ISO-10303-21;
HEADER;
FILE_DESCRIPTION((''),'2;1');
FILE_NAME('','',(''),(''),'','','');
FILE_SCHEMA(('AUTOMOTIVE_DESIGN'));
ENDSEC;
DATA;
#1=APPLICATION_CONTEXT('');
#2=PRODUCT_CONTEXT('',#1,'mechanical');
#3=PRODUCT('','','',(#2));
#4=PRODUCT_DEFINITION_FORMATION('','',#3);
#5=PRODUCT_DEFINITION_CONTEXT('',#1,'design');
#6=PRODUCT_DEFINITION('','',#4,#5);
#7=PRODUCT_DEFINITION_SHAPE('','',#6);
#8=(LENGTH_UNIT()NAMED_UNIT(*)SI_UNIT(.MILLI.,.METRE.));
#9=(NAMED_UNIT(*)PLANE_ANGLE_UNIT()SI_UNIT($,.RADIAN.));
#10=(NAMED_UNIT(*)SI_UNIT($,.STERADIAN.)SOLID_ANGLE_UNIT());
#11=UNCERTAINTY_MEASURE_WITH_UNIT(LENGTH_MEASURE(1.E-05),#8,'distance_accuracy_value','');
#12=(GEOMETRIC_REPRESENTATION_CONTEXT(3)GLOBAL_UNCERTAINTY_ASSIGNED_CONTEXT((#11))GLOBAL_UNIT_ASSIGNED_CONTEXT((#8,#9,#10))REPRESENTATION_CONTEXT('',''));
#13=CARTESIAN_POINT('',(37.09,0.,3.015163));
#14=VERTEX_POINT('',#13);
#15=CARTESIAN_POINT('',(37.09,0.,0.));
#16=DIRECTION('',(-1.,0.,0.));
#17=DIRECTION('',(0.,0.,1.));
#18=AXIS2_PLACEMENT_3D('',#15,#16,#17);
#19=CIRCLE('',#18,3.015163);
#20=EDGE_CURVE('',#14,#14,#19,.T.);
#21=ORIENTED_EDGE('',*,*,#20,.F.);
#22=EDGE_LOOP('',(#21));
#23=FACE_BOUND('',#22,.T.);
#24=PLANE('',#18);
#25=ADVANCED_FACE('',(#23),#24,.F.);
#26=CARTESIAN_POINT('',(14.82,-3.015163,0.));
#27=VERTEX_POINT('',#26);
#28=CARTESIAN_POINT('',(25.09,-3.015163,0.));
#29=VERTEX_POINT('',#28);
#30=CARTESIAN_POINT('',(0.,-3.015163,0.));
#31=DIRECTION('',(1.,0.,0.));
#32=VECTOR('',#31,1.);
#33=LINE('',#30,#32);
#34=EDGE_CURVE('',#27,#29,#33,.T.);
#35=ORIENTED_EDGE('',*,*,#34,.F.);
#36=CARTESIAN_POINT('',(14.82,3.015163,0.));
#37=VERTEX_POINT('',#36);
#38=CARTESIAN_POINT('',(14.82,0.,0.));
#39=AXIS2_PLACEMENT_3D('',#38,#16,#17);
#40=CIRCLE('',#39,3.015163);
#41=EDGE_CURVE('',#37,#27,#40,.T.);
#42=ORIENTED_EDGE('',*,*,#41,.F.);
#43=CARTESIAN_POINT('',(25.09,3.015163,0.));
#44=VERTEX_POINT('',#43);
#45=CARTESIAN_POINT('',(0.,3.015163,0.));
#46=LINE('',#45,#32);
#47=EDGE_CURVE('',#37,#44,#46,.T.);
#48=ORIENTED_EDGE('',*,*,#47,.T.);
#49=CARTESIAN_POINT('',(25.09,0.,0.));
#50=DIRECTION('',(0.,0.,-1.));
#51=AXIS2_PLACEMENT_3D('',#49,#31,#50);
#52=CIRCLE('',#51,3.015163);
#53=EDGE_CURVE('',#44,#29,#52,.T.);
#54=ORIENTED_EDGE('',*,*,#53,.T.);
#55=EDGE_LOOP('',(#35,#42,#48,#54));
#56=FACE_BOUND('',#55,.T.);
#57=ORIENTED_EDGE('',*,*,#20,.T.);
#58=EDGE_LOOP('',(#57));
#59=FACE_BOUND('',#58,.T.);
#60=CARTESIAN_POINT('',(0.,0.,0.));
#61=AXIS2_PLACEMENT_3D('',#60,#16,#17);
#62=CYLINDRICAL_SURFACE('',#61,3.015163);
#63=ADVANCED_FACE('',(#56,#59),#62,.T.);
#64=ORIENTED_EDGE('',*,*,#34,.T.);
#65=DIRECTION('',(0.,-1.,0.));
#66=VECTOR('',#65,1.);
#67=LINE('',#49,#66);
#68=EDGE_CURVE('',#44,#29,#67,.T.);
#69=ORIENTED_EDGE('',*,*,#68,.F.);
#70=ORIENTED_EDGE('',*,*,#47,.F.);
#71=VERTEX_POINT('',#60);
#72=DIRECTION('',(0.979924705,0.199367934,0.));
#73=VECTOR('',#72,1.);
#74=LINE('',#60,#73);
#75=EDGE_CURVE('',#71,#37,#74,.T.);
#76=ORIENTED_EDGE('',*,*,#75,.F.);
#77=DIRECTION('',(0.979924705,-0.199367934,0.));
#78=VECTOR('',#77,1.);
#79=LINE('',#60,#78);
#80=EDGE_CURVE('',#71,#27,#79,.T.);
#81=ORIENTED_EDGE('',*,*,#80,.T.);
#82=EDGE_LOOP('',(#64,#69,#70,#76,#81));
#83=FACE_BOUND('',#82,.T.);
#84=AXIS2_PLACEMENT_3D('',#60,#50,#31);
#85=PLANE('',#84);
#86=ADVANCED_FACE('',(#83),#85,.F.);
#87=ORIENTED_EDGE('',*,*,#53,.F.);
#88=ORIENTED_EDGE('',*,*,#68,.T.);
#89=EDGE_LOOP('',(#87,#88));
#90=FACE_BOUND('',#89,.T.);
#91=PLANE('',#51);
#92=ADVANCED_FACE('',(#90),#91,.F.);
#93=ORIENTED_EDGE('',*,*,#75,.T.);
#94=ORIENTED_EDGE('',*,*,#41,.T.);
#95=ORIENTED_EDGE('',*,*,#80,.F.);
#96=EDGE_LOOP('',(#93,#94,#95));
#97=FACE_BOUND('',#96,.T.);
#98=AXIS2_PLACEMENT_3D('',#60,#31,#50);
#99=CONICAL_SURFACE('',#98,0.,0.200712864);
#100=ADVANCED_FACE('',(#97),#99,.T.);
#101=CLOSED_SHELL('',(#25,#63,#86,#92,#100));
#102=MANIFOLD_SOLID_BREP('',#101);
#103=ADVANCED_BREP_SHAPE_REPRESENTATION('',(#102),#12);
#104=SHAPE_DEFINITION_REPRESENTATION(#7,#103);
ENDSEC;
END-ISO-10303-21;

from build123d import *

# Parameters (mm, degrees)
REVOLVE_1_ANGLE = 180
SKETCH_3_R      = 3.015163077
EXTRUDE_2_DEPTH = 12


with BuildPart() as part:
    # 草圖1 → 旋轉1 (revolve)
    with BuildSketch(Plane.XY):
        Polygon((14.82, 0), (0, 0), (14.82, -3.015163077), (37.09, -3.015163077), (37.09, 0), align=None)
    revolve(axis=Axis((0, 0, 0), (1, 0, 0)), revolution_arc=REVOLVE_1_ANGLE)

    # 草圖3 → 填料-伸長2 (add)
    with BuildSketch(Plane(origin=(37.09, 0, 0), x_dir=(0, 0, -1), z_dir=(1, 0, 0))):
        with Locations(Location((0, 0, 0), (0, 0, 180))):
            Circle(SKETCH_3_R)
    extrude(amount=-EXTRUDE_2_DEPTH)


solid = part.part
